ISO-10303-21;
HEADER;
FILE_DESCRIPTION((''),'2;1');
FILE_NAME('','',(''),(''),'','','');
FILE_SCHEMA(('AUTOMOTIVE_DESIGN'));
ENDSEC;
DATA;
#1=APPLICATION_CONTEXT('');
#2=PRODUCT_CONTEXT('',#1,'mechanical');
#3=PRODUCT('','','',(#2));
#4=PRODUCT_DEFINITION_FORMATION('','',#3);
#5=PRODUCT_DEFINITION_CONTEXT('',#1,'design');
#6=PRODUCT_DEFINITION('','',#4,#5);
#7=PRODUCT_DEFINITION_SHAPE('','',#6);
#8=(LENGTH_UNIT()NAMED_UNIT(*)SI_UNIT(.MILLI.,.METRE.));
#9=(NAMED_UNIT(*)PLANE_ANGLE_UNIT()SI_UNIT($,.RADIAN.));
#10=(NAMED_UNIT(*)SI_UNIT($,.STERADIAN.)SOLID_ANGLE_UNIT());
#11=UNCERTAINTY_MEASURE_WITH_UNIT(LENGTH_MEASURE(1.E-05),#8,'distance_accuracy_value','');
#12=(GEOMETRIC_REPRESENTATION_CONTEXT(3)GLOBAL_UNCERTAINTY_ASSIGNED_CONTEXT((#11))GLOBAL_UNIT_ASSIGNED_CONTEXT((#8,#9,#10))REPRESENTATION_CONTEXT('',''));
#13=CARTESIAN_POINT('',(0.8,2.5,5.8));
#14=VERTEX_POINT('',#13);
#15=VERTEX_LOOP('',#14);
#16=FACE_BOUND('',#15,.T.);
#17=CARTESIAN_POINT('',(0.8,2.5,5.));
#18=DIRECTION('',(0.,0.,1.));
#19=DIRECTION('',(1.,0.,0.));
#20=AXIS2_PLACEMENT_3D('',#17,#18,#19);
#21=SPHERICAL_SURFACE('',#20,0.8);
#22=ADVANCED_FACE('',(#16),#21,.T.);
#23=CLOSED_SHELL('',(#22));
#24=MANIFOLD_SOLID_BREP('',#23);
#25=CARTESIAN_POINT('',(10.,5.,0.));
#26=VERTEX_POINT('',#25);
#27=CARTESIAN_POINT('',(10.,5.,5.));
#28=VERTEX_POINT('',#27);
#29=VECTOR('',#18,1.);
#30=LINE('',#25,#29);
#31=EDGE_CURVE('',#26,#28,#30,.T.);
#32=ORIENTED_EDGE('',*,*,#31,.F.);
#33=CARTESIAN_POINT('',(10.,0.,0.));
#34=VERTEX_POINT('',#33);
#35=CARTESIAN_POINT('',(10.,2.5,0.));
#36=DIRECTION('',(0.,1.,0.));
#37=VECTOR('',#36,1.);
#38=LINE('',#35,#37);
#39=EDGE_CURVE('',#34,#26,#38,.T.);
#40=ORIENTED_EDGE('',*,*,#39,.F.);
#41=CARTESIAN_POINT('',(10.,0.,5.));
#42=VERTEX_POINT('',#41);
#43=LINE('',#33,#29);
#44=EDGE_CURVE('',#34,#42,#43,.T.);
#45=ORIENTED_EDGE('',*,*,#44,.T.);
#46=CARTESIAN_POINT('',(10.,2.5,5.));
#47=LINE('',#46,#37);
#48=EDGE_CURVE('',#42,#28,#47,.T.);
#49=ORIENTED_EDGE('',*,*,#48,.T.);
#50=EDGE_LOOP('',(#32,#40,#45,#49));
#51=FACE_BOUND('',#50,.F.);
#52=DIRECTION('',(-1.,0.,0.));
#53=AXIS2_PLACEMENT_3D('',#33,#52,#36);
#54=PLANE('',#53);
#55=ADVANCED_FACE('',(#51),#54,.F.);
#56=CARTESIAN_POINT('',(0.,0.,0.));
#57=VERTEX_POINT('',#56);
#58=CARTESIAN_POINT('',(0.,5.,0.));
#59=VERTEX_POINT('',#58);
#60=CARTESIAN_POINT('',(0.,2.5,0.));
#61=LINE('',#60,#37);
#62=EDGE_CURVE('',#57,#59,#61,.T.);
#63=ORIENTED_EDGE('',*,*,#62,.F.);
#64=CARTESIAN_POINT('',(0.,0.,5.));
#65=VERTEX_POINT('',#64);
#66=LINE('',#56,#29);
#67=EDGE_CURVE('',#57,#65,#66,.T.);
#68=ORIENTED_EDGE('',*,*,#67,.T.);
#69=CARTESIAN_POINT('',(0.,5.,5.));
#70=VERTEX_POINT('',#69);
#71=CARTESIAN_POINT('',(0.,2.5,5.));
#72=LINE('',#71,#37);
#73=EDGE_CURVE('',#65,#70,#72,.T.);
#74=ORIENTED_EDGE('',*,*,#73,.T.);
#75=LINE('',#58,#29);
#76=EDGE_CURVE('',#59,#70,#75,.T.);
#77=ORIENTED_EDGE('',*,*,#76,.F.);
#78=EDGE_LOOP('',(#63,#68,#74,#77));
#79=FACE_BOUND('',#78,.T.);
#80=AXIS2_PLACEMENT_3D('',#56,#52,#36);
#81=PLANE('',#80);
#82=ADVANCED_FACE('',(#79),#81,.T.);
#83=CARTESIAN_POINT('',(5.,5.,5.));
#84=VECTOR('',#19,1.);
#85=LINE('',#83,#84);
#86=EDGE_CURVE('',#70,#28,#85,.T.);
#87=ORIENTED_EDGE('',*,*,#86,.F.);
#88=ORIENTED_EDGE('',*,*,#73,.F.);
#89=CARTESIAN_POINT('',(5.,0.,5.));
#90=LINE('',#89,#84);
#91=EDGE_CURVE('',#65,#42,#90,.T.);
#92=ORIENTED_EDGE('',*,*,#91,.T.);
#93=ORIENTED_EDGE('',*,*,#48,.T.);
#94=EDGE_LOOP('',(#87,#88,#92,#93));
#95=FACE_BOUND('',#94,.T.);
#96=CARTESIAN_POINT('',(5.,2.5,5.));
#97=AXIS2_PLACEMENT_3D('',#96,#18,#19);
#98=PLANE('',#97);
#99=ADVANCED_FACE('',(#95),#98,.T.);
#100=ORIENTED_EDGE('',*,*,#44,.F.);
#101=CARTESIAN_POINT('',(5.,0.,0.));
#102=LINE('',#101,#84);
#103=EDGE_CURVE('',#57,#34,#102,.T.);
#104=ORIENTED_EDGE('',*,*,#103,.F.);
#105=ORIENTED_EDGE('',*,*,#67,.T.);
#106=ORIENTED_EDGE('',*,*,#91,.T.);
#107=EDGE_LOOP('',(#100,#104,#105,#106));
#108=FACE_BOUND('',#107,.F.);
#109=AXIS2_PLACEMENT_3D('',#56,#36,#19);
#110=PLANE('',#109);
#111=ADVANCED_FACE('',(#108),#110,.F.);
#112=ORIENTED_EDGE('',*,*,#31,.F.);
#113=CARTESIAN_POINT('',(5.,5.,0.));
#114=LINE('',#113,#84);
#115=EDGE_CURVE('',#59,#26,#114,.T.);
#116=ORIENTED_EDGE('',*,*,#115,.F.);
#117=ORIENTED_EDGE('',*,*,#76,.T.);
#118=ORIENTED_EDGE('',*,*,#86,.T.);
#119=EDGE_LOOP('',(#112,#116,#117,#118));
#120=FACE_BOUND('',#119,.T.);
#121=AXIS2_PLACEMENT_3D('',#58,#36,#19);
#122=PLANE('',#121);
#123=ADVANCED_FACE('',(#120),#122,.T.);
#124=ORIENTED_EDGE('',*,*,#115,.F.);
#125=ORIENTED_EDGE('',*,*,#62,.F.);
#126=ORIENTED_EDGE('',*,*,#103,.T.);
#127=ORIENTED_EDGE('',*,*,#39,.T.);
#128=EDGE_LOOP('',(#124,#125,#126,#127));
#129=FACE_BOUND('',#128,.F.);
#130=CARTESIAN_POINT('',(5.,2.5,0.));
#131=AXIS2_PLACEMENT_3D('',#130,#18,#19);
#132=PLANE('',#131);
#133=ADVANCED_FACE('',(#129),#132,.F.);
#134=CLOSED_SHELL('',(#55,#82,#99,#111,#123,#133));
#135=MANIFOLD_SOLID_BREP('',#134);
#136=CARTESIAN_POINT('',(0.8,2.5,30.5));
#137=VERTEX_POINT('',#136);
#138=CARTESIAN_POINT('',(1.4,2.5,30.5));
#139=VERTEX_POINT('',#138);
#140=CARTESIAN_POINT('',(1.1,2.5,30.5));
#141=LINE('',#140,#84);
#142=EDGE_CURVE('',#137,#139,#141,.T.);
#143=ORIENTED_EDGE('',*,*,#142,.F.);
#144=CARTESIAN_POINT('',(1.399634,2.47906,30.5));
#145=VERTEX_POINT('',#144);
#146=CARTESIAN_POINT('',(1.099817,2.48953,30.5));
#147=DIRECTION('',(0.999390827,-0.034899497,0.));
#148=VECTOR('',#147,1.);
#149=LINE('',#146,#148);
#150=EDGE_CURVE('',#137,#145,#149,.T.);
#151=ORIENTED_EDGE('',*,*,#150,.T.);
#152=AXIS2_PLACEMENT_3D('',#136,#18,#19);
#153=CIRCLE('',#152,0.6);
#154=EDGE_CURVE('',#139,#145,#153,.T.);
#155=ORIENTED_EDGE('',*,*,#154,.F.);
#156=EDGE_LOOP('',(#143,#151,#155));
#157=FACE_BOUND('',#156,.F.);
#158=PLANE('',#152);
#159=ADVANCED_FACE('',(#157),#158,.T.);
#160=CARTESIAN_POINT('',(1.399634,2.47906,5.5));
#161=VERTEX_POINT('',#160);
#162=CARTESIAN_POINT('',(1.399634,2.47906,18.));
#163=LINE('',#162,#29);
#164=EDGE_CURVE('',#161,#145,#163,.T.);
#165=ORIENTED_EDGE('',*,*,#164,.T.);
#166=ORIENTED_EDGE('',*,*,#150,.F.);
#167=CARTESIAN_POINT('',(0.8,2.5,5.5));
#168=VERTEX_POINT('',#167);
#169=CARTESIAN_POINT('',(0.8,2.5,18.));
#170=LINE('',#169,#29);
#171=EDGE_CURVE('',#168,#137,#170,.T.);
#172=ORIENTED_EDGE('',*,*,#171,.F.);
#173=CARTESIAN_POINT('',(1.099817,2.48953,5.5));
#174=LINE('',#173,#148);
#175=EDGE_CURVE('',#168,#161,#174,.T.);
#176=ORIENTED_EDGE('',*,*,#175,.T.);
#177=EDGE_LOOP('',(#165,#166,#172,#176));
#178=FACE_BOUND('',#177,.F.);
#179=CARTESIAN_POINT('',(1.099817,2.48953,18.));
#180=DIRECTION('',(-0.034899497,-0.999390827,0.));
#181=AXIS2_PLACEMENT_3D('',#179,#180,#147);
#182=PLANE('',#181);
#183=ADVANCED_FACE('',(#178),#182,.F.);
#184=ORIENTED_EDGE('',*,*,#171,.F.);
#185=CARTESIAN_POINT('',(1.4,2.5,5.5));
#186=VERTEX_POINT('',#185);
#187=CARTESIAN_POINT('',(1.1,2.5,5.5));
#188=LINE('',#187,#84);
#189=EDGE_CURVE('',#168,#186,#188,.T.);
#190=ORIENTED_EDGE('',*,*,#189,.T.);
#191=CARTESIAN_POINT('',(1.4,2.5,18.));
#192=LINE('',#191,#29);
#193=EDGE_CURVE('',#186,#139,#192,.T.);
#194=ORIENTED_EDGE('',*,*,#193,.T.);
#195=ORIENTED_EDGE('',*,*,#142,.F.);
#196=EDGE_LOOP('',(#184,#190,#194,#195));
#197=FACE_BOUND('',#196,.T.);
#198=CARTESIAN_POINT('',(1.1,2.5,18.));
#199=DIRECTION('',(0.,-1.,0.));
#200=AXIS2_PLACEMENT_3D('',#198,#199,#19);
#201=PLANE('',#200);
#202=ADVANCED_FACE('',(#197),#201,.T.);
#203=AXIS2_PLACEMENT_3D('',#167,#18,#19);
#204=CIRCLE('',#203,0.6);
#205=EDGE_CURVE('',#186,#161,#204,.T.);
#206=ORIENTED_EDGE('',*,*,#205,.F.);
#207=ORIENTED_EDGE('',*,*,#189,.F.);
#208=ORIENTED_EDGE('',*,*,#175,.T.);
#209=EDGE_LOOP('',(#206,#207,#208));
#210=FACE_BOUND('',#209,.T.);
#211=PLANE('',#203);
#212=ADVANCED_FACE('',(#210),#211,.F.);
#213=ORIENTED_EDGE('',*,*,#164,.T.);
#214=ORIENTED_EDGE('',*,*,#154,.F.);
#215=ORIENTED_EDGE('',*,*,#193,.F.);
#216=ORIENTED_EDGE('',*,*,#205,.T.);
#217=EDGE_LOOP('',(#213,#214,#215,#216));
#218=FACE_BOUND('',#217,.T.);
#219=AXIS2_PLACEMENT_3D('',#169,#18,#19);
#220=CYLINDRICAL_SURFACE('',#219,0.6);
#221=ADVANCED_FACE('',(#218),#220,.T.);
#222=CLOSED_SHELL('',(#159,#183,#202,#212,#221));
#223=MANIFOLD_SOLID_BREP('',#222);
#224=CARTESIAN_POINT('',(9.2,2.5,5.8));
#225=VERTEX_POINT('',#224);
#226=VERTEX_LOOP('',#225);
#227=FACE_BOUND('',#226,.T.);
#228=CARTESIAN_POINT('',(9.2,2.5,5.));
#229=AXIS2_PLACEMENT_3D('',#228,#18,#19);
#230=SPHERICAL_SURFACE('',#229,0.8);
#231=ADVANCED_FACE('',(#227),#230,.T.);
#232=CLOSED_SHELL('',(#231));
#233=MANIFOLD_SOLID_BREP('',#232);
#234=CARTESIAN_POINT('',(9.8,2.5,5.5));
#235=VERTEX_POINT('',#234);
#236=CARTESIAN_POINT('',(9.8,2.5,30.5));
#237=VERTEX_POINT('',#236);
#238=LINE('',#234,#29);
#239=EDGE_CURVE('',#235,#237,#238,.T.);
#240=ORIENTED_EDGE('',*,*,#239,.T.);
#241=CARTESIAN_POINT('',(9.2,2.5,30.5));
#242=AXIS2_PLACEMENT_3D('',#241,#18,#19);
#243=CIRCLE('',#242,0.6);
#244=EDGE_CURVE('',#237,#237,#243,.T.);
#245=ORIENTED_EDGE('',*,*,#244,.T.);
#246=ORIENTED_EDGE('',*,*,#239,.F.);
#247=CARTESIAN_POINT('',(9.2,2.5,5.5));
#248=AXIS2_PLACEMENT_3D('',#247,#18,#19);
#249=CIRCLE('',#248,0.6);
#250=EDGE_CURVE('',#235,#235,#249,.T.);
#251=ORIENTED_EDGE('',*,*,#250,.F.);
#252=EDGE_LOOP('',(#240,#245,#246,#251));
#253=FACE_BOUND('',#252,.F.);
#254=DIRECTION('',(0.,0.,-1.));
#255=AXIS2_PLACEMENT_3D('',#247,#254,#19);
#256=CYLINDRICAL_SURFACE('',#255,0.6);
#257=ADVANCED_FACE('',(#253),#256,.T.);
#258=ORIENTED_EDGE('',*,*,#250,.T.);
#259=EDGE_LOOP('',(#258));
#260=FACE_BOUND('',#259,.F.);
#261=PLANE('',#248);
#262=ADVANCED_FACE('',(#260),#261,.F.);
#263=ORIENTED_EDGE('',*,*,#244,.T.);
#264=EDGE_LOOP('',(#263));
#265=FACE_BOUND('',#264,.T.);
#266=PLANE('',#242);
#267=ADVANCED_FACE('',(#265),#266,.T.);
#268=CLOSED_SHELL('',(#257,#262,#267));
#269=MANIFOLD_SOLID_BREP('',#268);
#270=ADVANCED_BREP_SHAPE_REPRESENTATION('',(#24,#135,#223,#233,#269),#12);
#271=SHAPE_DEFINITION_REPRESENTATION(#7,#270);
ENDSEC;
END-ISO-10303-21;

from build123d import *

# Parameters (mm, degrees)
BOX_W             = 10
BOX_H             = 5
BOX_DEPTH         = 5
CYLINDER_R        = 0.6
CYLINDER_DEPTH    = 25
CYLINDER001_W     = 0.6
CYLINDER001_H     = 25
CYLINDER001_ANGLE = 358


with BuildPart() as body:
    # Box → Box (join)
    with BuildSketch(Plane.XY):
        with Locations((5, 2.5)):
            Rectangle(BOX_W, BOX_H)
    extrude(amount=BOX_DEPTH)


with BuildPart() as body001:
    # Sphere → Sphere (revolve)
    with BuildSketch(Plane(origin=(0.8, 2.5, 5), x_dir=(1, 0, 0), z_dir=(0, -1, 0))):
        with BuildLine():
            ThreePointArc((0, -0.8), (0.8, 0), (0, 0.8))
            Line((0, 0.8), (0, -0.8))
        make_face()
    revolve(axis=Axis((0.8, 2.5, 5), (0, 0, 1)))

    # Sphere001 → Sphere001 (revolve)
    with BuildSketch(Plane(origin=(9.2, 2.5, 5), x_dir=(1, 0, 0), z_dir=(0, -1, 0))):
        with BuildLine():
            ThreePointArc((0, -0.8), (0.8, 0), (0, 0.8))
            Line((0, 0.8), (0, -0.8))
        make_face()
    revolve(axis=Axis((9.2, 2.5, 5), (0, 0, 1)))


with BuildPart() as body003:
    # Cylinder → Cylinder (join)
    with BuildSketch(Plane(origin=(9.2, 2.5, 5.5), x_dir=(1, 0, 0), z_dir=(0, 0, 1))):
        Circle(CYLINDER_R)
    extrude(amount=CYLINDER_DEPTH)

    # Cylinder001 → Cylinder001 (revolve)
    with BuildSketch(Plane(origin=(0.8, 2.5, 5.5), x_dir=(1, 0, 0), z_dir=(0, -1, 0))):
        with Locations((0.3, 12.5)):
            Rectangle(CYLINDER001_W, CYLINDER001_H)
    revolve(axis=Axis((0.8, 2.5, 5.5), (0, 0, 1)), revolution_arc=CYLINDER001_ANGLE)


solid = Compound([body.part, body001.part, body003.part])
